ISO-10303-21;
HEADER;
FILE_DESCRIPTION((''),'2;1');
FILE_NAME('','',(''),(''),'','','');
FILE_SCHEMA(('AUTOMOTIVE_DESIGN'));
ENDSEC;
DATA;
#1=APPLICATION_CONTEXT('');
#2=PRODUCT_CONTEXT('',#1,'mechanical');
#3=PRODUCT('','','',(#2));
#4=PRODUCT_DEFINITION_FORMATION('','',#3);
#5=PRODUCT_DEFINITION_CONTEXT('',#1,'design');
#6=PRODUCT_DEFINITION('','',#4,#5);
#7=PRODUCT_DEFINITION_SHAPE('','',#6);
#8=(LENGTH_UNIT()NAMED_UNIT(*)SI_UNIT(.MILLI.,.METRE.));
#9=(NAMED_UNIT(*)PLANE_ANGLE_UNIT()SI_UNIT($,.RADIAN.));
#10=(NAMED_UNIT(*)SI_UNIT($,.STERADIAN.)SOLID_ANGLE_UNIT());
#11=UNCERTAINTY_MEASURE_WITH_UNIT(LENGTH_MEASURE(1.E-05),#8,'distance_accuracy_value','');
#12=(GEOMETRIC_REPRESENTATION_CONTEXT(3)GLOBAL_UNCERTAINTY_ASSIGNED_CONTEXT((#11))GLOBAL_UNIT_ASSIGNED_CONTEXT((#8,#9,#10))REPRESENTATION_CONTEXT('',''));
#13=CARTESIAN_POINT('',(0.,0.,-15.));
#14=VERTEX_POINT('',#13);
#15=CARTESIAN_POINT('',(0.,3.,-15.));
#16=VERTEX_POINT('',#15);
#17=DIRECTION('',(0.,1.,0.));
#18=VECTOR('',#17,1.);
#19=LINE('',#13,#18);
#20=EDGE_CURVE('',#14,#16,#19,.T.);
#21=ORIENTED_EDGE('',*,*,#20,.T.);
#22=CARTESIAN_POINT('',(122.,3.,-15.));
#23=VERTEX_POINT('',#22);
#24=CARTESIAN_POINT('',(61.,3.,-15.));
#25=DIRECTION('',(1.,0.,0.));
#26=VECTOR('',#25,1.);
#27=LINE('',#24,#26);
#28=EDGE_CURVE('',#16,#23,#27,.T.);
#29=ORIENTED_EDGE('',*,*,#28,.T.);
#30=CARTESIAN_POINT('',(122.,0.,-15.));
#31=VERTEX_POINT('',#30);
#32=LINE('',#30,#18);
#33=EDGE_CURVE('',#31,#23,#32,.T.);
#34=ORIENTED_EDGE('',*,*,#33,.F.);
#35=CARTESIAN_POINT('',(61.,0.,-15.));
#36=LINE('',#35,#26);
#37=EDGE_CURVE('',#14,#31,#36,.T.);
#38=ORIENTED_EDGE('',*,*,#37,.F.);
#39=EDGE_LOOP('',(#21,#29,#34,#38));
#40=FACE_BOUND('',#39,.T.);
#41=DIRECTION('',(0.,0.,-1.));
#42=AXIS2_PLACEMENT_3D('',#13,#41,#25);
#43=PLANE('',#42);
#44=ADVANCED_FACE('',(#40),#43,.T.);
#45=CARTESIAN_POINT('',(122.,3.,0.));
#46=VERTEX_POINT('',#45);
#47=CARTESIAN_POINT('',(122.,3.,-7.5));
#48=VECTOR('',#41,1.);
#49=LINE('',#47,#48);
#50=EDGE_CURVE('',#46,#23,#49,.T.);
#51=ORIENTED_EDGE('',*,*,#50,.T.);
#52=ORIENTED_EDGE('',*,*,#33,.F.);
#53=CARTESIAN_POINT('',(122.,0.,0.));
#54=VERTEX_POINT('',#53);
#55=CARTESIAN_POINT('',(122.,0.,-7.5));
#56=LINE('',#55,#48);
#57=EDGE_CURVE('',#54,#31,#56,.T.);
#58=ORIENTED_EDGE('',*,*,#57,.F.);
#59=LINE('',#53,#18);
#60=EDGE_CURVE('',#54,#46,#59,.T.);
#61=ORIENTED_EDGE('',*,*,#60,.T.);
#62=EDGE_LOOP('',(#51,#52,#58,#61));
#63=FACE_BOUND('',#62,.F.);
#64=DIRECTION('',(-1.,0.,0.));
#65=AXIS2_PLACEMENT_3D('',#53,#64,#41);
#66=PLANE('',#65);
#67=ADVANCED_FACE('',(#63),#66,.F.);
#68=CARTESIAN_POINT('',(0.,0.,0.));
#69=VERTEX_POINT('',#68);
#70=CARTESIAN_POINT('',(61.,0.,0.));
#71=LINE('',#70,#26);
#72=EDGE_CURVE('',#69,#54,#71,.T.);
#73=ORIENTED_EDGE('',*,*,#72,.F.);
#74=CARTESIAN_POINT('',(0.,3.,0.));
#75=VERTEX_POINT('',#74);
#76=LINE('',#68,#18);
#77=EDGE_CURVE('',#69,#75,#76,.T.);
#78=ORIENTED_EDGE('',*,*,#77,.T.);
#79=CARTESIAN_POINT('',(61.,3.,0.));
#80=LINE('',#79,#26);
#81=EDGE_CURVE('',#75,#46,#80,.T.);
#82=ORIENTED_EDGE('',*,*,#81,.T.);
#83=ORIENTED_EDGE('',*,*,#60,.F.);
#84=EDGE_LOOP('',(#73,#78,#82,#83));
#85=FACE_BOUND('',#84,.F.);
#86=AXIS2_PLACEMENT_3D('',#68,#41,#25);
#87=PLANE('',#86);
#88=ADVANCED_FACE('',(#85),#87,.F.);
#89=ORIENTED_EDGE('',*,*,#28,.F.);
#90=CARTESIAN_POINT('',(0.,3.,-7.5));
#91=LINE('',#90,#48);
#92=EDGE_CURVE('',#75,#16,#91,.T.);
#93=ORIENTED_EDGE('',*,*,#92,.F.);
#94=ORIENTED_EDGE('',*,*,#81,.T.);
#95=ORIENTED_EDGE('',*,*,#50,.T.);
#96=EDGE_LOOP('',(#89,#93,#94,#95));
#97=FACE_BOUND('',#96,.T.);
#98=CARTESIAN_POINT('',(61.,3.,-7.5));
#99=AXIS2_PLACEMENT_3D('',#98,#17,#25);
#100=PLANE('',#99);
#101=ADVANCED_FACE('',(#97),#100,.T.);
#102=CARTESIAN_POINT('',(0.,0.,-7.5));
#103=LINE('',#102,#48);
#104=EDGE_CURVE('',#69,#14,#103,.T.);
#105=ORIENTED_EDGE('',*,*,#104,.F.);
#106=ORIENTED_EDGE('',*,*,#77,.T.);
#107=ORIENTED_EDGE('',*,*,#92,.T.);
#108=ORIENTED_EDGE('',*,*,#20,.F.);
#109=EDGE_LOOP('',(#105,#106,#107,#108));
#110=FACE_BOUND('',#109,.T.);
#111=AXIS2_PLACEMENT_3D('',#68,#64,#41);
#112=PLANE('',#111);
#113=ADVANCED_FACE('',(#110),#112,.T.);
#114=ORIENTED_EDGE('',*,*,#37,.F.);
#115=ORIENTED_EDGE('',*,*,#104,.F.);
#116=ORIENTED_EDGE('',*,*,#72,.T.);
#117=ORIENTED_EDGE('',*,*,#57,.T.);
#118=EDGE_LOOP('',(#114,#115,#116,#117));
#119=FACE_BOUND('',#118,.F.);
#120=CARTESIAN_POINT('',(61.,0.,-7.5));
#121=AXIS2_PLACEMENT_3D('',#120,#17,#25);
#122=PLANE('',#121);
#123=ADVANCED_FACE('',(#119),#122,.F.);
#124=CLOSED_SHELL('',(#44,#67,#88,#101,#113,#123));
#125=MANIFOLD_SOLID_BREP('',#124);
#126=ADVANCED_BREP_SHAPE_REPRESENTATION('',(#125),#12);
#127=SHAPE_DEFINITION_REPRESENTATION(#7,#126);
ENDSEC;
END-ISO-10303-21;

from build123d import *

# Parameters (mm, degrees)
SKETCH1_W           = 122
SKETCH1_H           = 15
BOSS_EXTRUDE1_DEPTH = 3


with BuildPart() as part:
    # Sketch1 → Boss-Extrude1 (new body)
    with BuildSketch(Plane(origin=(0, 0, 0), x_dir=(1, 0, 0), z_dir=(0, 1, 0))):
        with Locations((61, 7.5)):
            Rectangle(SKETCH1_W, SKETCH1_H)
    extrude(amount=BOSS_EXTRUDE1_DEPTH)


solid = part.part
